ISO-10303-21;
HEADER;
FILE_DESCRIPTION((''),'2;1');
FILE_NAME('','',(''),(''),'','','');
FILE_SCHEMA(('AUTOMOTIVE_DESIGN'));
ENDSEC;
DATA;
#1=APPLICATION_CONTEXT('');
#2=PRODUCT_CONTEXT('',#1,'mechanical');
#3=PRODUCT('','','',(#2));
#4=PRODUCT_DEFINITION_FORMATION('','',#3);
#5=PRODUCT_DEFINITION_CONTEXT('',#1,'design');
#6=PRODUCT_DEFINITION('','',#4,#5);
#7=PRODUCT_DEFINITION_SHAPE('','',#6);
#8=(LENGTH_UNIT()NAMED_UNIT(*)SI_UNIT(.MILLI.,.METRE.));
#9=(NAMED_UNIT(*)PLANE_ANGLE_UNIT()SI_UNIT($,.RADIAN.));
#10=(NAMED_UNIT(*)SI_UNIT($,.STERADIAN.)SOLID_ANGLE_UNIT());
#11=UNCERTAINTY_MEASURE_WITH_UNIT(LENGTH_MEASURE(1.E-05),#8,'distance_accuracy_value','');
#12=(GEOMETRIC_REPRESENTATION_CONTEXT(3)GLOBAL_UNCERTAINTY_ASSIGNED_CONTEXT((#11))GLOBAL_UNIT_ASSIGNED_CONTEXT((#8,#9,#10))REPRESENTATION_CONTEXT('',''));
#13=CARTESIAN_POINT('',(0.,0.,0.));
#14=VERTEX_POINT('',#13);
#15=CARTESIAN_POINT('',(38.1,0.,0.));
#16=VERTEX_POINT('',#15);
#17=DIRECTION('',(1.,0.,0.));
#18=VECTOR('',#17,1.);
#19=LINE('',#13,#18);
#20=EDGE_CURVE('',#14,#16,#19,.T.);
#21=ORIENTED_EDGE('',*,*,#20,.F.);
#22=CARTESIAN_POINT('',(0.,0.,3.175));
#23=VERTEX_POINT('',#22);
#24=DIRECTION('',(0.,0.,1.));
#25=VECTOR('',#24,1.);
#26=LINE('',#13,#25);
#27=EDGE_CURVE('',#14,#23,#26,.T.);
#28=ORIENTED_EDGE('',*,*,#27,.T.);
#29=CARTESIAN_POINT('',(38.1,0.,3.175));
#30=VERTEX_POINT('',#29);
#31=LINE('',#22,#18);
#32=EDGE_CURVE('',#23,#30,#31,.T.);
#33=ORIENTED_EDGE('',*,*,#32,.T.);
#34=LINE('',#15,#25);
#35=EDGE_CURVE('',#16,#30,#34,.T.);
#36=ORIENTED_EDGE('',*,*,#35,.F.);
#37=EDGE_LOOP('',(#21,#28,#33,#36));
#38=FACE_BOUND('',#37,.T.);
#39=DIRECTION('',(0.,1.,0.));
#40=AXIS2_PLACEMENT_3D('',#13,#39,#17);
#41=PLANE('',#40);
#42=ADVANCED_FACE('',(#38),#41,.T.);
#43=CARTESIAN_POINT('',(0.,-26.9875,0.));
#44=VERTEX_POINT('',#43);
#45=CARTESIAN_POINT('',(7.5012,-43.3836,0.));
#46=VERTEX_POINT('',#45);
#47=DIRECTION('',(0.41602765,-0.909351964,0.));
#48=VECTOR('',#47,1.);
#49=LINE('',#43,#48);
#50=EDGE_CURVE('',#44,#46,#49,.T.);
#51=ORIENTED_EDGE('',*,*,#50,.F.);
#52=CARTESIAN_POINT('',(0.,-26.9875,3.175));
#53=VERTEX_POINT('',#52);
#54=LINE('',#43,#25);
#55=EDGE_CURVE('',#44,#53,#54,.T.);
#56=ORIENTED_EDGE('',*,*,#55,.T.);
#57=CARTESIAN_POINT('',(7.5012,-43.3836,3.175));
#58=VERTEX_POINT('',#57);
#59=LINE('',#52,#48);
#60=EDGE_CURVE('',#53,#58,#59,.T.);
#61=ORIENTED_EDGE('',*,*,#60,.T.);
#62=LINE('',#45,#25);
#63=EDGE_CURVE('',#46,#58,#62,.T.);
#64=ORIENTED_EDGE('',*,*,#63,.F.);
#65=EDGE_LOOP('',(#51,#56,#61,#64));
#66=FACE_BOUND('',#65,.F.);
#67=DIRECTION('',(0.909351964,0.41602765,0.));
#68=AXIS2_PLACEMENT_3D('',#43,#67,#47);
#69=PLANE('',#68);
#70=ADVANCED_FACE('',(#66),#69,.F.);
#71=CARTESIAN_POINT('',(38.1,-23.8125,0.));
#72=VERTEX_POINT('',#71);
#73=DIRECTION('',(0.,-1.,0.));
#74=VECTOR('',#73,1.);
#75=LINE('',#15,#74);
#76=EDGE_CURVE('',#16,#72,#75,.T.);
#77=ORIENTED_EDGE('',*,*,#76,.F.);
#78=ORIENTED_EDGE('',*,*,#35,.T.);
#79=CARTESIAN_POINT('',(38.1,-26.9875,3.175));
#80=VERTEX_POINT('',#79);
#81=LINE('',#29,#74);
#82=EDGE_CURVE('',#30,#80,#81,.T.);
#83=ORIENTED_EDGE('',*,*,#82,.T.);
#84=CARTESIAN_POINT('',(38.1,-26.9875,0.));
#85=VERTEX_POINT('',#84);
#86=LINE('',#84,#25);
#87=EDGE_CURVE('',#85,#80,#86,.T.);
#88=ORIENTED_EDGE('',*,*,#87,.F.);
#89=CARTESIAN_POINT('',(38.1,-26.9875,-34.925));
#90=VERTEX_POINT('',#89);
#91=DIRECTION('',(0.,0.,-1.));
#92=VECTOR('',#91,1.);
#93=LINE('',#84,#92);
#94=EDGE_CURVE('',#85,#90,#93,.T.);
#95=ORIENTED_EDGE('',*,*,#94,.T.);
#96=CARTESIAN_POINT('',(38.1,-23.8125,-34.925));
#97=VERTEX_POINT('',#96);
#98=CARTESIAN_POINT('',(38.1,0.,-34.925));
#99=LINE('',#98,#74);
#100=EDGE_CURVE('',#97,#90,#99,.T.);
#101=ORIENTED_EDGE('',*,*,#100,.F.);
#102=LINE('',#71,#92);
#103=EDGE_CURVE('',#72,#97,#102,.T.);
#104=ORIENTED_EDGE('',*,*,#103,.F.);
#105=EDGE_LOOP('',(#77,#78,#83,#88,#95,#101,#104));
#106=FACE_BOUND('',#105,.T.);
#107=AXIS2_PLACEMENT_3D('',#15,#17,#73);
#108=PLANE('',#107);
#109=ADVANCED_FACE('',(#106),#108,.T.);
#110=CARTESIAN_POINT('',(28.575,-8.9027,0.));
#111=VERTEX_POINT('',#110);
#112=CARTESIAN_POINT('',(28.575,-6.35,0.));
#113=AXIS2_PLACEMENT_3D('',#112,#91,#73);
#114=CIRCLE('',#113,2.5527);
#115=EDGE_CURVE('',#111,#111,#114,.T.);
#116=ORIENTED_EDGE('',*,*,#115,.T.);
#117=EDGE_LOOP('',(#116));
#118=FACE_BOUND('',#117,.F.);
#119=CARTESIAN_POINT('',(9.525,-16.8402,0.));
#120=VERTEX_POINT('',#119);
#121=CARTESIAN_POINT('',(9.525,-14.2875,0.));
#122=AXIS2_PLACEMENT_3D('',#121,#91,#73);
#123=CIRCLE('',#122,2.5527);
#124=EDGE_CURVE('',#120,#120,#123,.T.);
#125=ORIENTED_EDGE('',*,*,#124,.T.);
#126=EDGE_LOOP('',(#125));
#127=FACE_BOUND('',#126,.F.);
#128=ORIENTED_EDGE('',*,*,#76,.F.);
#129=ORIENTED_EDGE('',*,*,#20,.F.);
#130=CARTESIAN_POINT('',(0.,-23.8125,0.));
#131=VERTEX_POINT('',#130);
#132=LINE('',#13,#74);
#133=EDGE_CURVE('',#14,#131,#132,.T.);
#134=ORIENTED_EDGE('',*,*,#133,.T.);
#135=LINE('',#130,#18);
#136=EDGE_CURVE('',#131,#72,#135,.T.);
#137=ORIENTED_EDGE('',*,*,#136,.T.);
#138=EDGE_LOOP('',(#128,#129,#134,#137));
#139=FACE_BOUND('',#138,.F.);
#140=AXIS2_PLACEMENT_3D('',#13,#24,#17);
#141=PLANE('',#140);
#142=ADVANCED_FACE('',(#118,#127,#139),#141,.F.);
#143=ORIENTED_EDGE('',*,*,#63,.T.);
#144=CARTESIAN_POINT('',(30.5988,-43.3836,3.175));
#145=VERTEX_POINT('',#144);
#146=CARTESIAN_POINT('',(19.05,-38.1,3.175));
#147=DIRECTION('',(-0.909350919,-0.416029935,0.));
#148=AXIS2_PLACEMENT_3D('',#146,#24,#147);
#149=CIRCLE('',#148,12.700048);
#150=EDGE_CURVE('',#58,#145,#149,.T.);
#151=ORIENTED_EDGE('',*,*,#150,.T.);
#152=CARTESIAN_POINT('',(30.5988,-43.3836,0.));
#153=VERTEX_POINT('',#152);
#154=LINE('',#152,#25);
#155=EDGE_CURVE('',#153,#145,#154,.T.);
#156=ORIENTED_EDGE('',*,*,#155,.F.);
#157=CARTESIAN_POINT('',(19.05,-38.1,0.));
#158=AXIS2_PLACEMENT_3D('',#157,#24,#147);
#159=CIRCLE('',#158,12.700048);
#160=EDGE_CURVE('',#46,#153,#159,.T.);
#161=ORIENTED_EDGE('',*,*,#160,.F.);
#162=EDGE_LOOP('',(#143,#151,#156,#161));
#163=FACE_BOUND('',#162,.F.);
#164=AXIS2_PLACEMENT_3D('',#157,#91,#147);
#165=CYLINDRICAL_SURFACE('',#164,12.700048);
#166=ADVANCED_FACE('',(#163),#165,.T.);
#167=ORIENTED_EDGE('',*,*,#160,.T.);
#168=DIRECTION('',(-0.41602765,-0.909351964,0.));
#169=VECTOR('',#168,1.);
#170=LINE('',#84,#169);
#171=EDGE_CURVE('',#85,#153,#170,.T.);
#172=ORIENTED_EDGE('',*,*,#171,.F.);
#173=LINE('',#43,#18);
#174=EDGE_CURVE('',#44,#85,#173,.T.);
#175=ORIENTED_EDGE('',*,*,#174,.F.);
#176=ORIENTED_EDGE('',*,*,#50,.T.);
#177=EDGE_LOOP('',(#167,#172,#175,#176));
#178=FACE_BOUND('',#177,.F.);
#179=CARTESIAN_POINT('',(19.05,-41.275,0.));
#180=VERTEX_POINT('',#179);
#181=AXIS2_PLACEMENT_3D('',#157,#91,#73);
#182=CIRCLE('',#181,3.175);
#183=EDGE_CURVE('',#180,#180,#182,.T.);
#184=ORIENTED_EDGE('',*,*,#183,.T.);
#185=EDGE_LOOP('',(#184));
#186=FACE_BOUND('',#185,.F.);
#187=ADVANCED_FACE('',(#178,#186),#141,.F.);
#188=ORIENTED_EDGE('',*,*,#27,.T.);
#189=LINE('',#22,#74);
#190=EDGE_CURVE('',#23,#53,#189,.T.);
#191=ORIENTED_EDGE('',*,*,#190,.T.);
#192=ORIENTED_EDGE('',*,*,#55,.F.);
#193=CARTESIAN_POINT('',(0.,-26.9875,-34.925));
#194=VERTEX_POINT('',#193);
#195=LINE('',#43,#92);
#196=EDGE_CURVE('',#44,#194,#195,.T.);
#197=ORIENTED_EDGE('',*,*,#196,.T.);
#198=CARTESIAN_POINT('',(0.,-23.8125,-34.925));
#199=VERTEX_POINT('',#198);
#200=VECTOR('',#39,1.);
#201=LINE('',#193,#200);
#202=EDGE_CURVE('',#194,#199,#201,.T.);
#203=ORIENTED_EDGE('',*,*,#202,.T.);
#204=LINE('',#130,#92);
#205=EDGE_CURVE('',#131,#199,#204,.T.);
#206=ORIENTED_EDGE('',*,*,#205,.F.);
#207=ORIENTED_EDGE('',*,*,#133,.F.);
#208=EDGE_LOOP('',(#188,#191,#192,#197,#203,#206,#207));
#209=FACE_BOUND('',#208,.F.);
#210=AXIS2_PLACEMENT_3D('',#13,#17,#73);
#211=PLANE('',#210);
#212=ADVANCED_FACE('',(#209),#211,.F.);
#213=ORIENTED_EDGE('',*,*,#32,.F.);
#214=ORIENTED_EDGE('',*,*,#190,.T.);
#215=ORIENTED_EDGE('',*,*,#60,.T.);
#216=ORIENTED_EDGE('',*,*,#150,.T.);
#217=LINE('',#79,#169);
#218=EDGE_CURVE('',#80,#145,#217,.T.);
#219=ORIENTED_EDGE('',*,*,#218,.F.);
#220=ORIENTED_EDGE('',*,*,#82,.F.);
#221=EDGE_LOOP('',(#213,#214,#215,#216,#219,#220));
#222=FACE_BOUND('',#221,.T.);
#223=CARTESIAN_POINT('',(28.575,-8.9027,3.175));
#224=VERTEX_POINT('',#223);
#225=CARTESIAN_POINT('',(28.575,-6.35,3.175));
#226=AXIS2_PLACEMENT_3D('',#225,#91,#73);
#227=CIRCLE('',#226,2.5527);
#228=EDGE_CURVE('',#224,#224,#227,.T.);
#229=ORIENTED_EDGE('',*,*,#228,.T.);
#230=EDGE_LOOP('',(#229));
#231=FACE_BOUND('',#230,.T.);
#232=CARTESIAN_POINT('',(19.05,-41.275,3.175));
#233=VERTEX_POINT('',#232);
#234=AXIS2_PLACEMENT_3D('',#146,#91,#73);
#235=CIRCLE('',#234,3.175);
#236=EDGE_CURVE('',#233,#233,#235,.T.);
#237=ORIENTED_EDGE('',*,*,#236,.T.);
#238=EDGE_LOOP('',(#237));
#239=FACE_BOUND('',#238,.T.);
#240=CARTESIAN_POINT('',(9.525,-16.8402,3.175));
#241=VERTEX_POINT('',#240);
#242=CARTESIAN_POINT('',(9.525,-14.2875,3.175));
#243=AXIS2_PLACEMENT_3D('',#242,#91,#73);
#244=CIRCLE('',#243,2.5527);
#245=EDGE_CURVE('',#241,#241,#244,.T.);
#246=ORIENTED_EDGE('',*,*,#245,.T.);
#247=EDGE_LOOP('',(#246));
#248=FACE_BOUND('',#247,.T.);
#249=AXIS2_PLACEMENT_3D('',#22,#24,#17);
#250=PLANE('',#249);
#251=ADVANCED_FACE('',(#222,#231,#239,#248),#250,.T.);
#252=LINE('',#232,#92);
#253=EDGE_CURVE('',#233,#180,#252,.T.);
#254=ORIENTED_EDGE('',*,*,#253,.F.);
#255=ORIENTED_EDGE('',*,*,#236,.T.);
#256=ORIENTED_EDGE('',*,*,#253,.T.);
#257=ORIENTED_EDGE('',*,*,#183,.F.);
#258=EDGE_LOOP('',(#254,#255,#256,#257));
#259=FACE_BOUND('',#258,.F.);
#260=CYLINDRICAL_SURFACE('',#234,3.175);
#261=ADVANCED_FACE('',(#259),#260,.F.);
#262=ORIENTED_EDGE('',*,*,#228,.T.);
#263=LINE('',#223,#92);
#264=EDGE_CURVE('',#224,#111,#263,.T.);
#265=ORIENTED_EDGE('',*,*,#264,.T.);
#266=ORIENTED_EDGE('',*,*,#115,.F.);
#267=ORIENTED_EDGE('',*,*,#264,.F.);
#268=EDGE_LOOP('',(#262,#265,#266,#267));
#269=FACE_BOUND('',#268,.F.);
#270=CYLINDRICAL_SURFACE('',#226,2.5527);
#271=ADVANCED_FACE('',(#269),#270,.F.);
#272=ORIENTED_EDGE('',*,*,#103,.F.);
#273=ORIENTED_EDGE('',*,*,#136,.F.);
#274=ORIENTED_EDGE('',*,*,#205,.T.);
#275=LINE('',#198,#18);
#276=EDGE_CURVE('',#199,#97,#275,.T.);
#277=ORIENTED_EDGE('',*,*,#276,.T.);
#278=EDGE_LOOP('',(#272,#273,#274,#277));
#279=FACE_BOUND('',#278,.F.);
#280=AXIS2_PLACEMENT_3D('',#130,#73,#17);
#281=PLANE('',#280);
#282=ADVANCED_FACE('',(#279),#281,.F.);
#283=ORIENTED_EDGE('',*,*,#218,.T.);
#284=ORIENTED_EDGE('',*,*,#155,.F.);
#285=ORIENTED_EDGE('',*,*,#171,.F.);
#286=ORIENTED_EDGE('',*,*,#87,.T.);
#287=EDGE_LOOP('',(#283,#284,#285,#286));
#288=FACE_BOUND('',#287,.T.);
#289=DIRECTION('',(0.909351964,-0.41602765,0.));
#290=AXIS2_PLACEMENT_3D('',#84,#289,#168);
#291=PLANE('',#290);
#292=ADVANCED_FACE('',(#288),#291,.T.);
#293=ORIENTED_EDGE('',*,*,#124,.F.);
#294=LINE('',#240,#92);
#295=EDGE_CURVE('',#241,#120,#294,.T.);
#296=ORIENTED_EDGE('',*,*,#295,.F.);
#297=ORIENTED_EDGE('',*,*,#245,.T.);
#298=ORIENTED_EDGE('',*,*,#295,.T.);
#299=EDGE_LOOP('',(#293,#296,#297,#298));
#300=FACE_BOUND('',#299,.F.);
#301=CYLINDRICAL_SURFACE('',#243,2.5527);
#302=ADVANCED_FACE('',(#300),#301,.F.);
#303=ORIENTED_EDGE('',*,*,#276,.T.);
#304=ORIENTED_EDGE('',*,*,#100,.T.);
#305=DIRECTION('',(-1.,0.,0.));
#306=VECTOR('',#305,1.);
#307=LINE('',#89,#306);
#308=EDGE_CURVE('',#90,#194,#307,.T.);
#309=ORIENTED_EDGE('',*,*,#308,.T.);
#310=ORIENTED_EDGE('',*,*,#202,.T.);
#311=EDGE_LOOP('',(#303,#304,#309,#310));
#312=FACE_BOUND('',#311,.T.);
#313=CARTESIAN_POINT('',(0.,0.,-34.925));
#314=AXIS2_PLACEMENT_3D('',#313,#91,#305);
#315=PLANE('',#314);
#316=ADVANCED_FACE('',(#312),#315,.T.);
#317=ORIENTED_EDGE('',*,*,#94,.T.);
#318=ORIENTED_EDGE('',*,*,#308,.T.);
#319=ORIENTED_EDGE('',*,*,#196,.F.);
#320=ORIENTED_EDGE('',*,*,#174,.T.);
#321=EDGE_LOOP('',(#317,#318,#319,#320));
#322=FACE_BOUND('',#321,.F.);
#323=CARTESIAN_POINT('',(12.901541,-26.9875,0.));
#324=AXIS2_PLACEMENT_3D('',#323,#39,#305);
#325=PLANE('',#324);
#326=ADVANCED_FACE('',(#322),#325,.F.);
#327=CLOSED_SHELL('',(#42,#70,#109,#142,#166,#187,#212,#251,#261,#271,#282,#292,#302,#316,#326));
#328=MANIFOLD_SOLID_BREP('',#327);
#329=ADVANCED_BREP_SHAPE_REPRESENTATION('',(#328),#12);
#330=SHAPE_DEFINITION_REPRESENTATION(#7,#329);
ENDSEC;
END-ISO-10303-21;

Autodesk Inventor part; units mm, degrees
ref_plane "YZ Plane" through (0, 0, 0) normal (1, 0, 0) x (0, 1, 0)
ref_plane "XZ Plane" through (0, 0, 0) normal (0, 1, 0) x (-1, 0, 0)
ref_plane "XY Plane" through (0, 0, 0) normal (0, 0, 1) x (1, 0, 0)
sketch "Sketch1" plane through (0, 0, 0) normal (0, 0, 1) x (1, 0, 0)
  line L0 (0, 0) -> (38.1, 0)
  line L1 (38.1, 0) -> (38.1, -26.9875)
  line L2 (0, 0) -> (0, -26.9875)
  line L3 (0, -26.9875) -> (7.5012, -43.3836)
  line L4 (38.1, -26.9875) -> (30.5988, -43.3836)
  arc A0 (7.5012, -43.3836) -> (30.5988, -43.3836) centre (19.05, -38.1) ccw
  line L5 (38.1, -25.4) -> (0, -25.4) construction
  line L6 (38.1, -26.9875) -> (0, -26.9875) construction
  line L7 (38.1, -23.8125) -> (0, -23.8125) construction
  dimension "d1" = 38.1
  dimension "d2" = 12.7
  dimension "d36" = 38.1
  dimension "d37" = 25.4
  dimension "d38" = 1.5875
  dimension "d39" = 1.5875
extrude "Extrusion1" add sketch "Sketch1" along normal blind 3.175
sketch "Sketch2" plane through (0, 0, 0) normal (0, 0, -1) x (-1, 0, 0)
  line L0 (-38.1, 0) -> (-38.1, -26.9875) projected
  line L1 (0, -26.9875) -> (0, 0) projected
  line L2 (-38.1, -26.9875) -> (0, -26.9875)
  line L3 (0, -26.9875) -> (0, -23.8125)
  line L4 (0, -23.8125) -> (-38.1, -23.8125)
  line L5 (-38.1, -23.8125) -> (-38.1, -26.9875)
  arc A0 (-7.5012, -43.3836) -> (-30.5988, -43.3836) centre (-19.05, -38.1) ccw projected
  dimension "d13" = 3.175
extrude "Extrusion2" add sketch "Sketch2" along normal blind 34.925
sketch "Sketch3" plane through (0, 0, 3.175) normal (0, 0, 1) x (1, 0, 0)
  line L0 (7.5012, -43.3836) -> (0, -26.9875) projected
  arc A0 (30.5988, -43.3836) -> (7.5012, -43.3836) centre (19.05, -38.1) ccw projected
  line L1 (0, -26.9875) -> (0, 0) projected
  line L2 (0, 0) -> (38.1, 0) projected
  line L3 (38.1, 0) -> (38.1, -26.9875) projected
  line L4 (38.1, -23.8125) -> (0, -23.8125) projected
  line L5 (38.1, -23.8125) -> (0, -23.8125) projected
  point P0 (9.525, -14.2875)
  point P1 (28.575, -6.35)
  dimension "d18" = 9.525
  dimension "d20" = 6.35
  dimension "d21" = 9.525
  dimension "d40" = 9.525
hole "Hole1" at (9.525, -14.2875, 3.175) at (28.575, -6.35, 3.175) direction (0, 0, -1) diameter 5.1054 end through all clearance for "Flat Head Machine Screw (82)" size "#10" standard "Ansi Unified Screw Threads"
sketch "Sketch4" plane through (0, 0, 3.175) normal (0, 0, 1) x (1, 0, 0)
  arc A0 (30.5988, -43.3836) -> (7.5012, -43.3836) centre (19.05, -38.1) ccw projected
  point P0 (0, 0)
hole "Hole2" at (19.05, -38.1, 3.175) direction (0, 0, -1) diameter 6.35 end through all
properties part number "CLB_087_ClimberMountBracketGusset" material "Aluminum 6061"
